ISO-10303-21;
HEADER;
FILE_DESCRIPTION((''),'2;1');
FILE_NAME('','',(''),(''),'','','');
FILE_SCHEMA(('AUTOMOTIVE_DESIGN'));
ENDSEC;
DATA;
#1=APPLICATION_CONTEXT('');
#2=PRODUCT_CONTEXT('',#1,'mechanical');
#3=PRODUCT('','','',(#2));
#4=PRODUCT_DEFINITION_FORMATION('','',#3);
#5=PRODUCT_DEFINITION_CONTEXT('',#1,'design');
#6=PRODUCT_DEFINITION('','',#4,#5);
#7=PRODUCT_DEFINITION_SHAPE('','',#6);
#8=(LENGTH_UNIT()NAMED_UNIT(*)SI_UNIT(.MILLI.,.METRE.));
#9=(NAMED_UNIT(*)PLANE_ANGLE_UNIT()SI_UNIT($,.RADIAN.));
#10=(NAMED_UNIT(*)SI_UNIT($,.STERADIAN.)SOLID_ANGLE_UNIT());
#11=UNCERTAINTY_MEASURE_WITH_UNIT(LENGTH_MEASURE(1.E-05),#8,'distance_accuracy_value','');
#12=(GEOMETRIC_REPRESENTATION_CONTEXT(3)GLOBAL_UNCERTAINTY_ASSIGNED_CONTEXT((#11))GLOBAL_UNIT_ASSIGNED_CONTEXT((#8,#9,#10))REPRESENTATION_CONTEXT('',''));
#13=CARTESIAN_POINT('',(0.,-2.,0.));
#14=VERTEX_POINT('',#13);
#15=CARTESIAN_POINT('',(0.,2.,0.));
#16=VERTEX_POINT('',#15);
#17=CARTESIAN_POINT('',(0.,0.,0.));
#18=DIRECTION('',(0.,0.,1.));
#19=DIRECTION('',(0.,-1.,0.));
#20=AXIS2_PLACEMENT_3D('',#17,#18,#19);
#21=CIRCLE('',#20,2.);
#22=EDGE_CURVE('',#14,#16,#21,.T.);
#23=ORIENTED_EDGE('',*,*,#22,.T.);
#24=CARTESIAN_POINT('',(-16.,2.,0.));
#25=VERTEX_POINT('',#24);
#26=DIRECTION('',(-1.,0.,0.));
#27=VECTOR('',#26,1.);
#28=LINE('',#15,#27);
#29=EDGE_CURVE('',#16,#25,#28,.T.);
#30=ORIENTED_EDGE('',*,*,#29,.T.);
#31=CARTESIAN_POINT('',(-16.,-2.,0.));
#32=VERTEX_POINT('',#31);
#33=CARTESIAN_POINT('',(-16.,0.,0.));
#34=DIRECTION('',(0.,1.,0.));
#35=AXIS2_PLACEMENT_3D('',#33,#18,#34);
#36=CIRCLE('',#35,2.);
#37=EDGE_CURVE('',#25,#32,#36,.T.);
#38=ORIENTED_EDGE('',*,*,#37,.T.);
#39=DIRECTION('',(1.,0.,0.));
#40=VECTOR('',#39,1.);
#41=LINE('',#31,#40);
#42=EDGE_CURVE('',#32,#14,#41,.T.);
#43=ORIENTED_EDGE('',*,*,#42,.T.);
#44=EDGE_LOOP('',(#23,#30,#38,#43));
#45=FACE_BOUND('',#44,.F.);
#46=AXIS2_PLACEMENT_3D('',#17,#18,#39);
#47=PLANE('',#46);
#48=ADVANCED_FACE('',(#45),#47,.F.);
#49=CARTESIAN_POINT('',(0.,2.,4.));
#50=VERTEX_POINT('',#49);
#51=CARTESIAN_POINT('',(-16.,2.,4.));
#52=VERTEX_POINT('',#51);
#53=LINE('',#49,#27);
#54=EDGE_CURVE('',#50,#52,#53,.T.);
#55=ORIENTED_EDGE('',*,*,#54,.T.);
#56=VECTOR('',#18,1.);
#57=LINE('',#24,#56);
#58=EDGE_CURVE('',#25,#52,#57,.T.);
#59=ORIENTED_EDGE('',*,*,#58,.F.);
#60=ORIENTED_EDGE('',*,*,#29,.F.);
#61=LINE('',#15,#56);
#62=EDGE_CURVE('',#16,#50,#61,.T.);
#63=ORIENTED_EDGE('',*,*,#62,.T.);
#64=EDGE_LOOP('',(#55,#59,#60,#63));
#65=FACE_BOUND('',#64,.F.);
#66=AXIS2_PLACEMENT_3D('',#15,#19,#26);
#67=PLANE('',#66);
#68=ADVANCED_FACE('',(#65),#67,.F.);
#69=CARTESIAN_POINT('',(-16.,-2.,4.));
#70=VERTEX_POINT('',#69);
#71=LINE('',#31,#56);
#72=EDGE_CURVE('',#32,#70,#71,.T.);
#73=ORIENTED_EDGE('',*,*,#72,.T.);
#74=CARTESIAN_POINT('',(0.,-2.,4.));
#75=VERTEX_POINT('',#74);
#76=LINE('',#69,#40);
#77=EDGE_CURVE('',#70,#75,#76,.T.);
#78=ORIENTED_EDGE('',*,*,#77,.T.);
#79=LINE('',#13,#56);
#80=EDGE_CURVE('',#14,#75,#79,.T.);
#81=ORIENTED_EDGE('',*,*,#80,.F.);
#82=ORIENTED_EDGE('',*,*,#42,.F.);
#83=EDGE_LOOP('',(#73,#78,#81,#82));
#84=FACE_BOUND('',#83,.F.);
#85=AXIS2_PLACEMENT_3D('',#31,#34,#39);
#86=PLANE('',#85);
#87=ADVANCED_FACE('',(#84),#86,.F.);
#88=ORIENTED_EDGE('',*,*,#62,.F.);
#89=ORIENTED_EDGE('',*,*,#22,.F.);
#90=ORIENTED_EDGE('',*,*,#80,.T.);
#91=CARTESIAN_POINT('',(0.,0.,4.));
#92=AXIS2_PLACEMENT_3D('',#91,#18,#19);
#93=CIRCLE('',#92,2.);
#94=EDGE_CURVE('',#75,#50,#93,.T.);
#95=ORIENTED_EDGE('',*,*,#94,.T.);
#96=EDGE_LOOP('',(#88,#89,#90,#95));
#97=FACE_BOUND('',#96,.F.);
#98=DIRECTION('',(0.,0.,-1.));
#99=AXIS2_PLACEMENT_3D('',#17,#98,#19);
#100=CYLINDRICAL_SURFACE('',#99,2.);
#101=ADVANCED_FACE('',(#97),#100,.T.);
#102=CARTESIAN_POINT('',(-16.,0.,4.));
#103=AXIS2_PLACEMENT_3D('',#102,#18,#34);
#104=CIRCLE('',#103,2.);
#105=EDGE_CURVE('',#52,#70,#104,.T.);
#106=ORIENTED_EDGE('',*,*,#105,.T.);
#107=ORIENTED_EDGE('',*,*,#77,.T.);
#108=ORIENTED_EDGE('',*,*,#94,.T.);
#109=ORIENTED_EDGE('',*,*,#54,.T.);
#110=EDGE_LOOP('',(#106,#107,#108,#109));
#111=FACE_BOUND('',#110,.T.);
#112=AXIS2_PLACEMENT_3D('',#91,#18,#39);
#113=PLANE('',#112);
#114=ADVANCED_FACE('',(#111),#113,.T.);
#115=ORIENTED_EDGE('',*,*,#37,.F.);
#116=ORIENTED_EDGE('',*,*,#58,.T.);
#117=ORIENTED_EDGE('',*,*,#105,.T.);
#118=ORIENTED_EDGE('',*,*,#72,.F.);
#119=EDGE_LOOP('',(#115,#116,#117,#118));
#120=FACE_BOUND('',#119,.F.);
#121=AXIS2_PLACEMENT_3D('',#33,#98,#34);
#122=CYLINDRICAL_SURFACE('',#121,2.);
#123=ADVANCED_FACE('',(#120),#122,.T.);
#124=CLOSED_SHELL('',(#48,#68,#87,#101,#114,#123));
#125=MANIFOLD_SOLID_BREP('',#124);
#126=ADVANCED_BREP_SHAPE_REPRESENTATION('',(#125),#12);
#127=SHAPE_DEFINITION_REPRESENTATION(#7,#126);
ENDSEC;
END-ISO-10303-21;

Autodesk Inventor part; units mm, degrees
ref_plane "YZ Plane" through (0, 0, 0) normal (1, 0, 0) x (0, 1, 0)
ref_plane "XZ Plane" through (0, 0, 0) normal (0, 1, 0) x (-1, 0, 0)
ref_plane "XY Plane" through (0, 0, 0) normal (0, 0, 1) x (1, 0, 0)
sketch "スケッチ1" plane through (0, 0, 0) normal (0, 0, 1) x (1, 0, 0)
  line L0 (0, 0) -> (-16, 0) construction
  line L1 (0, 2) -> (-16, 2)
  line L2 (-16, -2) -> (0, -2)
  arc A0 (0, -2) -> (0, 2) centre (0, 0) ccw
  arc A1 (-16, 2) -> (-16, -2) centre (-16, 0) ccw
  point P0 (-8, 0)
  dimension "d0" = 4
  dimension "d1" = 16
extrude "押し出し1" add sketch "スケッチ1" along normal blind 4
properties part number "キー"
